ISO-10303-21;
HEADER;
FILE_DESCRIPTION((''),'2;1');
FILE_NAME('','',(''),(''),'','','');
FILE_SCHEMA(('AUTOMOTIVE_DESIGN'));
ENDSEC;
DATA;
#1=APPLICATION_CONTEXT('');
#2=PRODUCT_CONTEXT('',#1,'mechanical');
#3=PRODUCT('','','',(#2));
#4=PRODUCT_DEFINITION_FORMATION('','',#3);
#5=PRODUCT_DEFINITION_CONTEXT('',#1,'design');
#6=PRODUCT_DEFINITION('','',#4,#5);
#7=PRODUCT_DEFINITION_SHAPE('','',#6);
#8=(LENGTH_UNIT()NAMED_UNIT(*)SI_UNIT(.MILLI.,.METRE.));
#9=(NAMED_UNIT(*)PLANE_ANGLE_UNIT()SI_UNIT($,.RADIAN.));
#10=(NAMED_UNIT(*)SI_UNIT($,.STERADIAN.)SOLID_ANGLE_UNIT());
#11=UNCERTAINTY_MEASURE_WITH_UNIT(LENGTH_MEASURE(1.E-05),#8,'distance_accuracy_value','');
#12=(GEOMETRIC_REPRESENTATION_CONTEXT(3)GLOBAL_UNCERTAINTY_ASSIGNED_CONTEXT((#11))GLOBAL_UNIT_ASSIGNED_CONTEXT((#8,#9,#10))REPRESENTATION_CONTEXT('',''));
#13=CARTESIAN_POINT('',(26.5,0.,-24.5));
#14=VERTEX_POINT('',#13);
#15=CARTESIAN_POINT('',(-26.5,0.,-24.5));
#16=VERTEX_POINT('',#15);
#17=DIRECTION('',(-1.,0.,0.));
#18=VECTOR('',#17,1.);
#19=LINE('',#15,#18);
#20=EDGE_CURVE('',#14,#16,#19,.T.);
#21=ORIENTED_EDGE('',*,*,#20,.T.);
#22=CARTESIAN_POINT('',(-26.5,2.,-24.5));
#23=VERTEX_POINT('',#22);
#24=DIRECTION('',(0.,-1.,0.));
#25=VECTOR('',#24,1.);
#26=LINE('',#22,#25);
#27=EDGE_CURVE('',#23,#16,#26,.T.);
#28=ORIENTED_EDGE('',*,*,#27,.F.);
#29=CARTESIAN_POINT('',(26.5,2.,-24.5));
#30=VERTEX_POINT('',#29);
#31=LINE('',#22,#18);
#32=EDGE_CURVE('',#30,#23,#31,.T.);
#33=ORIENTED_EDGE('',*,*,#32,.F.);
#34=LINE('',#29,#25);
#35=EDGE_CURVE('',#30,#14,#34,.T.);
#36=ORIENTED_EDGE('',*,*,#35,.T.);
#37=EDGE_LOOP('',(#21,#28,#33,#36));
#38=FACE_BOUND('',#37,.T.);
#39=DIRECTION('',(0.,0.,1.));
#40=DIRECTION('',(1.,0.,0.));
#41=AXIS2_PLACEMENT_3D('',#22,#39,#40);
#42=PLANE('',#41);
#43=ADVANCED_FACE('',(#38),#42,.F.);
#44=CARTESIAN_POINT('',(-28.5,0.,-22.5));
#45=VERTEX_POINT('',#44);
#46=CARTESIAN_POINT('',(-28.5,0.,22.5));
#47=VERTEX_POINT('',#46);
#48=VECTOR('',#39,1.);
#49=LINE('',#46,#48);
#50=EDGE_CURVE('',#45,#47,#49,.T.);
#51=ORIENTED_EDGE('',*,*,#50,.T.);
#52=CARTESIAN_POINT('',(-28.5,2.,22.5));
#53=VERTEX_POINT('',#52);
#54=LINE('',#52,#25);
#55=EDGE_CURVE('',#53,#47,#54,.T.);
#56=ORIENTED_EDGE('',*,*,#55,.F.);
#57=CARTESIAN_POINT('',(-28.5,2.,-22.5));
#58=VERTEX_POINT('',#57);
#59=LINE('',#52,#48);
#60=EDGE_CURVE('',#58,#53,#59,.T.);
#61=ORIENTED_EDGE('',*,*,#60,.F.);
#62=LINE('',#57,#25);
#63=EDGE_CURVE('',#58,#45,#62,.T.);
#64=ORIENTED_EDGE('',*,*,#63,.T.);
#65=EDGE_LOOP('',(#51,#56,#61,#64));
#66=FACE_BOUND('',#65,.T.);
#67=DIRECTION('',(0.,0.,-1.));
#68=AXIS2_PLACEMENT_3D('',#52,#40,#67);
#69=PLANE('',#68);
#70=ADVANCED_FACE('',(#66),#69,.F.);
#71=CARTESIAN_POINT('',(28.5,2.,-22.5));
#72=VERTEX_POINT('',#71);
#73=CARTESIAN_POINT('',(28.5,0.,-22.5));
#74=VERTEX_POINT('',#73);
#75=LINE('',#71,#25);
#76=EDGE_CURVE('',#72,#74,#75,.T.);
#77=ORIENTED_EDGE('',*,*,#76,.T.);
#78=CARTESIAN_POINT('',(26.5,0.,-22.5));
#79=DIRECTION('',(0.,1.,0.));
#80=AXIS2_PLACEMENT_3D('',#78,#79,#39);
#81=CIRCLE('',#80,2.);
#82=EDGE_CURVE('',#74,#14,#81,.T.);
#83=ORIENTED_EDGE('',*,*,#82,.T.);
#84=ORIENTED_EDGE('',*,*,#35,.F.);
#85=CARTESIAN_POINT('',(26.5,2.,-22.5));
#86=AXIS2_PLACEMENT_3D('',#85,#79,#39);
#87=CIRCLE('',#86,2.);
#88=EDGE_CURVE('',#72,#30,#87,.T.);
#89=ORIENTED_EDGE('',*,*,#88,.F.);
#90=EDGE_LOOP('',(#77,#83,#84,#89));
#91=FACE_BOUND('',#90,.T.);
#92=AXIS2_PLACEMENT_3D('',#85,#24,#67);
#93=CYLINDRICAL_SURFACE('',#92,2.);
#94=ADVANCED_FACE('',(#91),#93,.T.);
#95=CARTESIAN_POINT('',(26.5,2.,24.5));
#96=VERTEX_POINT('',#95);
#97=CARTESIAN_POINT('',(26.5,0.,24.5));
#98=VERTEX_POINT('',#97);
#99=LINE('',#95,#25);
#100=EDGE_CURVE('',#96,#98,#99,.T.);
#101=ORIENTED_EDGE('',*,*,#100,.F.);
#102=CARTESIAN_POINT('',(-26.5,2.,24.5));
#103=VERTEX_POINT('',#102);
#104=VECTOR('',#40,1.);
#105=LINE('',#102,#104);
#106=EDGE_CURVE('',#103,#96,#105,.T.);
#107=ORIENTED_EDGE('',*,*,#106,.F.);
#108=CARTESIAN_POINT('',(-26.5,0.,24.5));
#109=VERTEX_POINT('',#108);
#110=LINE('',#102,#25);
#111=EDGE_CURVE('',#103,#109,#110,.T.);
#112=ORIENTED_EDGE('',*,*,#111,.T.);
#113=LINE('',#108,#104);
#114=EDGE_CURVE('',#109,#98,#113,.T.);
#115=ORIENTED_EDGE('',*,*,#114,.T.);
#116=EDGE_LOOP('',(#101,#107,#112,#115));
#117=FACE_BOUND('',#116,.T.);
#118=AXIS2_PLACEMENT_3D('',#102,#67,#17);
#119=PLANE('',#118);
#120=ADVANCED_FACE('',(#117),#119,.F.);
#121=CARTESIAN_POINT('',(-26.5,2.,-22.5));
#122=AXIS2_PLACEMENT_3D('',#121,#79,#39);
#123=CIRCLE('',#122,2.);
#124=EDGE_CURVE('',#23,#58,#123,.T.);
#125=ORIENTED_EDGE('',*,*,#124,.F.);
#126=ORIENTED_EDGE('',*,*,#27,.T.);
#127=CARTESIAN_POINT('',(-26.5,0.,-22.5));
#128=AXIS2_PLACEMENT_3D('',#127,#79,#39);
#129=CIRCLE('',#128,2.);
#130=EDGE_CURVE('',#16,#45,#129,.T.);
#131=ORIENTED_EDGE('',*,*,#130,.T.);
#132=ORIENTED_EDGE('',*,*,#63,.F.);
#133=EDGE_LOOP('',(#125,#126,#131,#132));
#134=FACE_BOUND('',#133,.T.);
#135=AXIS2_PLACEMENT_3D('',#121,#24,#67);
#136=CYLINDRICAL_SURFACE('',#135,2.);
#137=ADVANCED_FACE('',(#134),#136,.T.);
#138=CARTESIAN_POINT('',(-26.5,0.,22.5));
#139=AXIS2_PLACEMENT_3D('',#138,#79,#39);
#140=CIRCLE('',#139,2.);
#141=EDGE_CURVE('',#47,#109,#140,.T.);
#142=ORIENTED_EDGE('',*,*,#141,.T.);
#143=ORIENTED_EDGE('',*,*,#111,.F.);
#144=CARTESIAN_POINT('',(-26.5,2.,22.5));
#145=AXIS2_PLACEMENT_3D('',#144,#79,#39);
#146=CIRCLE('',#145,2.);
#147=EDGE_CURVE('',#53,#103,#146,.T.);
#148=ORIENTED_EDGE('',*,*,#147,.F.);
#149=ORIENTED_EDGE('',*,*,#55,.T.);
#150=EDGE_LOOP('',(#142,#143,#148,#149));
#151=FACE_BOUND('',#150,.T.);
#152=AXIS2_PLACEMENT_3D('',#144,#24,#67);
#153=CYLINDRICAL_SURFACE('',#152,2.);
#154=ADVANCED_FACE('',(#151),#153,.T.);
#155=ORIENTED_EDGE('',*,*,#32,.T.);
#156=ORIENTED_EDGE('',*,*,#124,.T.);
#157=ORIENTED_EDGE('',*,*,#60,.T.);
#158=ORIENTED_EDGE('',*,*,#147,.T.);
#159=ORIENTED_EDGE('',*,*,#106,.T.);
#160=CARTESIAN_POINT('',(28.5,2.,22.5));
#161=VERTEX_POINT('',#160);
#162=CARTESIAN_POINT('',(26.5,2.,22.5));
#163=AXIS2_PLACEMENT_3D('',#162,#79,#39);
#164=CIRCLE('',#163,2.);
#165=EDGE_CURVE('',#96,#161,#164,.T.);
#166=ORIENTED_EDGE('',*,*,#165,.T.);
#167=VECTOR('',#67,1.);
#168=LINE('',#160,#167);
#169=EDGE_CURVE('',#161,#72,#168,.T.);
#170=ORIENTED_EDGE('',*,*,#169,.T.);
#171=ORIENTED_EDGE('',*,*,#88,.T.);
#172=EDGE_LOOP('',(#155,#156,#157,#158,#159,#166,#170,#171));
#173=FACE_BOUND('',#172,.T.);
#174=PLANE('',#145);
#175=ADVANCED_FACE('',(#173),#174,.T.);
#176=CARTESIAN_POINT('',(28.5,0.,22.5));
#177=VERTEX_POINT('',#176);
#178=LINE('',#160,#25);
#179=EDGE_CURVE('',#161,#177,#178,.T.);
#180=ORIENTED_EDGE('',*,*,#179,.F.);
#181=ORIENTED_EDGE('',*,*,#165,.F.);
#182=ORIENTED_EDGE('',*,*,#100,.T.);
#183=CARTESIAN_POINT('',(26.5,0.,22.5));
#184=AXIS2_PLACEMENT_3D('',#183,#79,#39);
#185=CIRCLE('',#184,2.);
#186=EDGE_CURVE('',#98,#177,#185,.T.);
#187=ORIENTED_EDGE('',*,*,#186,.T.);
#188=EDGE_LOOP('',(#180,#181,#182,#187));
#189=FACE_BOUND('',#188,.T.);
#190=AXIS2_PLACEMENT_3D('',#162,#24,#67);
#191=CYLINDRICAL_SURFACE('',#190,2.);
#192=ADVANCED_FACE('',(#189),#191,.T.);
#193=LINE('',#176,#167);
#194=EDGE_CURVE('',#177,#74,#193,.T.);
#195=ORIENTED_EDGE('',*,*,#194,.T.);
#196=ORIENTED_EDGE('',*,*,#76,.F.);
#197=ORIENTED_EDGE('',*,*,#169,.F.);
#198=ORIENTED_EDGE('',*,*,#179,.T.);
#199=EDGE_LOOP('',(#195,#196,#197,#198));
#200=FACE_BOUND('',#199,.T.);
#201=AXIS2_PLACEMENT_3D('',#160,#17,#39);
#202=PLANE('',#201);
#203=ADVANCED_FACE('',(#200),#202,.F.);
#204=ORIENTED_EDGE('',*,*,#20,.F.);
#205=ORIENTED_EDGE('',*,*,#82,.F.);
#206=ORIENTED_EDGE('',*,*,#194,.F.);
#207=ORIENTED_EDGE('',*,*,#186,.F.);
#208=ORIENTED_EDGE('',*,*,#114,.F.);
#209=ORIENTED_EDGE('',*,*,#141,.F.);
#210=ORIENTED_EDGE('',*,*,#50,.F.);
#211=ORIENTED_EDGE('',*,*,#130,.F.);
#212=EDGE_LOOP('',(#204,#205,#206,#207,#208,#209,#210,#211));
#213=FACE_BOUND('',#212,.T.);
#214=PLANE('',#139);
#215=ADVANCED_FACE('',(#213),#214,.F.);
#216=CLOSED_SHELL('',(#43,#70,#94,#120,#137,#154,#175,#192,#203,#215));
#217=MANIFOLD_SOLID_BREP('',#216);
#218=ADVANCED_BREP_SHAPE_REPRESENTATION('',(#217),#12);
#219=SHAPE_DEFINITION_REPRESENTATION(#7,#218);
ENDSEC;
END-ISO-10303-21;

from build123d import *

# Parameters (mm, degrees)
EXTRUDE_1_DEPTH = 2


with BuildPart() as part:
    # 草图1 → 凸台-拉伸1 (new body)
    with BuildSketch(Plane(origin=(0, 0, 0), x_dir=(1, 0, 0), z_dir=(0, 1, 0))):
        with BuildLine():
            Line((-26.5, -24.5), (26.5, -24.5))
            ThreePointArc((26.5, -24.5), (27.914213562, -23.914213562), (28.5, -22.5))
            Line((28.5, -22.5), (28.5, 22.5))
            ThreePointArc((28.5, 22.5), (27.914213562, 23.914213562), (26.5, 24.5))
            Line((26.5, 24.5), (-26.5, 24.5))
            ThreePointArc((-26.5, 24.5), (-27.914213562, 23.914213562), (-28.5, 22.5))
            Line((-28.5, 22.5), (-28.5, -22.5))
            ThreePointArc((-28.5, -22.5), (-27.914213562, -23.914213562), (-26.5, -24.5))
        make_face()
    extrude(amount=EXTRUDE_1_DEPTH)


solid = part.part
